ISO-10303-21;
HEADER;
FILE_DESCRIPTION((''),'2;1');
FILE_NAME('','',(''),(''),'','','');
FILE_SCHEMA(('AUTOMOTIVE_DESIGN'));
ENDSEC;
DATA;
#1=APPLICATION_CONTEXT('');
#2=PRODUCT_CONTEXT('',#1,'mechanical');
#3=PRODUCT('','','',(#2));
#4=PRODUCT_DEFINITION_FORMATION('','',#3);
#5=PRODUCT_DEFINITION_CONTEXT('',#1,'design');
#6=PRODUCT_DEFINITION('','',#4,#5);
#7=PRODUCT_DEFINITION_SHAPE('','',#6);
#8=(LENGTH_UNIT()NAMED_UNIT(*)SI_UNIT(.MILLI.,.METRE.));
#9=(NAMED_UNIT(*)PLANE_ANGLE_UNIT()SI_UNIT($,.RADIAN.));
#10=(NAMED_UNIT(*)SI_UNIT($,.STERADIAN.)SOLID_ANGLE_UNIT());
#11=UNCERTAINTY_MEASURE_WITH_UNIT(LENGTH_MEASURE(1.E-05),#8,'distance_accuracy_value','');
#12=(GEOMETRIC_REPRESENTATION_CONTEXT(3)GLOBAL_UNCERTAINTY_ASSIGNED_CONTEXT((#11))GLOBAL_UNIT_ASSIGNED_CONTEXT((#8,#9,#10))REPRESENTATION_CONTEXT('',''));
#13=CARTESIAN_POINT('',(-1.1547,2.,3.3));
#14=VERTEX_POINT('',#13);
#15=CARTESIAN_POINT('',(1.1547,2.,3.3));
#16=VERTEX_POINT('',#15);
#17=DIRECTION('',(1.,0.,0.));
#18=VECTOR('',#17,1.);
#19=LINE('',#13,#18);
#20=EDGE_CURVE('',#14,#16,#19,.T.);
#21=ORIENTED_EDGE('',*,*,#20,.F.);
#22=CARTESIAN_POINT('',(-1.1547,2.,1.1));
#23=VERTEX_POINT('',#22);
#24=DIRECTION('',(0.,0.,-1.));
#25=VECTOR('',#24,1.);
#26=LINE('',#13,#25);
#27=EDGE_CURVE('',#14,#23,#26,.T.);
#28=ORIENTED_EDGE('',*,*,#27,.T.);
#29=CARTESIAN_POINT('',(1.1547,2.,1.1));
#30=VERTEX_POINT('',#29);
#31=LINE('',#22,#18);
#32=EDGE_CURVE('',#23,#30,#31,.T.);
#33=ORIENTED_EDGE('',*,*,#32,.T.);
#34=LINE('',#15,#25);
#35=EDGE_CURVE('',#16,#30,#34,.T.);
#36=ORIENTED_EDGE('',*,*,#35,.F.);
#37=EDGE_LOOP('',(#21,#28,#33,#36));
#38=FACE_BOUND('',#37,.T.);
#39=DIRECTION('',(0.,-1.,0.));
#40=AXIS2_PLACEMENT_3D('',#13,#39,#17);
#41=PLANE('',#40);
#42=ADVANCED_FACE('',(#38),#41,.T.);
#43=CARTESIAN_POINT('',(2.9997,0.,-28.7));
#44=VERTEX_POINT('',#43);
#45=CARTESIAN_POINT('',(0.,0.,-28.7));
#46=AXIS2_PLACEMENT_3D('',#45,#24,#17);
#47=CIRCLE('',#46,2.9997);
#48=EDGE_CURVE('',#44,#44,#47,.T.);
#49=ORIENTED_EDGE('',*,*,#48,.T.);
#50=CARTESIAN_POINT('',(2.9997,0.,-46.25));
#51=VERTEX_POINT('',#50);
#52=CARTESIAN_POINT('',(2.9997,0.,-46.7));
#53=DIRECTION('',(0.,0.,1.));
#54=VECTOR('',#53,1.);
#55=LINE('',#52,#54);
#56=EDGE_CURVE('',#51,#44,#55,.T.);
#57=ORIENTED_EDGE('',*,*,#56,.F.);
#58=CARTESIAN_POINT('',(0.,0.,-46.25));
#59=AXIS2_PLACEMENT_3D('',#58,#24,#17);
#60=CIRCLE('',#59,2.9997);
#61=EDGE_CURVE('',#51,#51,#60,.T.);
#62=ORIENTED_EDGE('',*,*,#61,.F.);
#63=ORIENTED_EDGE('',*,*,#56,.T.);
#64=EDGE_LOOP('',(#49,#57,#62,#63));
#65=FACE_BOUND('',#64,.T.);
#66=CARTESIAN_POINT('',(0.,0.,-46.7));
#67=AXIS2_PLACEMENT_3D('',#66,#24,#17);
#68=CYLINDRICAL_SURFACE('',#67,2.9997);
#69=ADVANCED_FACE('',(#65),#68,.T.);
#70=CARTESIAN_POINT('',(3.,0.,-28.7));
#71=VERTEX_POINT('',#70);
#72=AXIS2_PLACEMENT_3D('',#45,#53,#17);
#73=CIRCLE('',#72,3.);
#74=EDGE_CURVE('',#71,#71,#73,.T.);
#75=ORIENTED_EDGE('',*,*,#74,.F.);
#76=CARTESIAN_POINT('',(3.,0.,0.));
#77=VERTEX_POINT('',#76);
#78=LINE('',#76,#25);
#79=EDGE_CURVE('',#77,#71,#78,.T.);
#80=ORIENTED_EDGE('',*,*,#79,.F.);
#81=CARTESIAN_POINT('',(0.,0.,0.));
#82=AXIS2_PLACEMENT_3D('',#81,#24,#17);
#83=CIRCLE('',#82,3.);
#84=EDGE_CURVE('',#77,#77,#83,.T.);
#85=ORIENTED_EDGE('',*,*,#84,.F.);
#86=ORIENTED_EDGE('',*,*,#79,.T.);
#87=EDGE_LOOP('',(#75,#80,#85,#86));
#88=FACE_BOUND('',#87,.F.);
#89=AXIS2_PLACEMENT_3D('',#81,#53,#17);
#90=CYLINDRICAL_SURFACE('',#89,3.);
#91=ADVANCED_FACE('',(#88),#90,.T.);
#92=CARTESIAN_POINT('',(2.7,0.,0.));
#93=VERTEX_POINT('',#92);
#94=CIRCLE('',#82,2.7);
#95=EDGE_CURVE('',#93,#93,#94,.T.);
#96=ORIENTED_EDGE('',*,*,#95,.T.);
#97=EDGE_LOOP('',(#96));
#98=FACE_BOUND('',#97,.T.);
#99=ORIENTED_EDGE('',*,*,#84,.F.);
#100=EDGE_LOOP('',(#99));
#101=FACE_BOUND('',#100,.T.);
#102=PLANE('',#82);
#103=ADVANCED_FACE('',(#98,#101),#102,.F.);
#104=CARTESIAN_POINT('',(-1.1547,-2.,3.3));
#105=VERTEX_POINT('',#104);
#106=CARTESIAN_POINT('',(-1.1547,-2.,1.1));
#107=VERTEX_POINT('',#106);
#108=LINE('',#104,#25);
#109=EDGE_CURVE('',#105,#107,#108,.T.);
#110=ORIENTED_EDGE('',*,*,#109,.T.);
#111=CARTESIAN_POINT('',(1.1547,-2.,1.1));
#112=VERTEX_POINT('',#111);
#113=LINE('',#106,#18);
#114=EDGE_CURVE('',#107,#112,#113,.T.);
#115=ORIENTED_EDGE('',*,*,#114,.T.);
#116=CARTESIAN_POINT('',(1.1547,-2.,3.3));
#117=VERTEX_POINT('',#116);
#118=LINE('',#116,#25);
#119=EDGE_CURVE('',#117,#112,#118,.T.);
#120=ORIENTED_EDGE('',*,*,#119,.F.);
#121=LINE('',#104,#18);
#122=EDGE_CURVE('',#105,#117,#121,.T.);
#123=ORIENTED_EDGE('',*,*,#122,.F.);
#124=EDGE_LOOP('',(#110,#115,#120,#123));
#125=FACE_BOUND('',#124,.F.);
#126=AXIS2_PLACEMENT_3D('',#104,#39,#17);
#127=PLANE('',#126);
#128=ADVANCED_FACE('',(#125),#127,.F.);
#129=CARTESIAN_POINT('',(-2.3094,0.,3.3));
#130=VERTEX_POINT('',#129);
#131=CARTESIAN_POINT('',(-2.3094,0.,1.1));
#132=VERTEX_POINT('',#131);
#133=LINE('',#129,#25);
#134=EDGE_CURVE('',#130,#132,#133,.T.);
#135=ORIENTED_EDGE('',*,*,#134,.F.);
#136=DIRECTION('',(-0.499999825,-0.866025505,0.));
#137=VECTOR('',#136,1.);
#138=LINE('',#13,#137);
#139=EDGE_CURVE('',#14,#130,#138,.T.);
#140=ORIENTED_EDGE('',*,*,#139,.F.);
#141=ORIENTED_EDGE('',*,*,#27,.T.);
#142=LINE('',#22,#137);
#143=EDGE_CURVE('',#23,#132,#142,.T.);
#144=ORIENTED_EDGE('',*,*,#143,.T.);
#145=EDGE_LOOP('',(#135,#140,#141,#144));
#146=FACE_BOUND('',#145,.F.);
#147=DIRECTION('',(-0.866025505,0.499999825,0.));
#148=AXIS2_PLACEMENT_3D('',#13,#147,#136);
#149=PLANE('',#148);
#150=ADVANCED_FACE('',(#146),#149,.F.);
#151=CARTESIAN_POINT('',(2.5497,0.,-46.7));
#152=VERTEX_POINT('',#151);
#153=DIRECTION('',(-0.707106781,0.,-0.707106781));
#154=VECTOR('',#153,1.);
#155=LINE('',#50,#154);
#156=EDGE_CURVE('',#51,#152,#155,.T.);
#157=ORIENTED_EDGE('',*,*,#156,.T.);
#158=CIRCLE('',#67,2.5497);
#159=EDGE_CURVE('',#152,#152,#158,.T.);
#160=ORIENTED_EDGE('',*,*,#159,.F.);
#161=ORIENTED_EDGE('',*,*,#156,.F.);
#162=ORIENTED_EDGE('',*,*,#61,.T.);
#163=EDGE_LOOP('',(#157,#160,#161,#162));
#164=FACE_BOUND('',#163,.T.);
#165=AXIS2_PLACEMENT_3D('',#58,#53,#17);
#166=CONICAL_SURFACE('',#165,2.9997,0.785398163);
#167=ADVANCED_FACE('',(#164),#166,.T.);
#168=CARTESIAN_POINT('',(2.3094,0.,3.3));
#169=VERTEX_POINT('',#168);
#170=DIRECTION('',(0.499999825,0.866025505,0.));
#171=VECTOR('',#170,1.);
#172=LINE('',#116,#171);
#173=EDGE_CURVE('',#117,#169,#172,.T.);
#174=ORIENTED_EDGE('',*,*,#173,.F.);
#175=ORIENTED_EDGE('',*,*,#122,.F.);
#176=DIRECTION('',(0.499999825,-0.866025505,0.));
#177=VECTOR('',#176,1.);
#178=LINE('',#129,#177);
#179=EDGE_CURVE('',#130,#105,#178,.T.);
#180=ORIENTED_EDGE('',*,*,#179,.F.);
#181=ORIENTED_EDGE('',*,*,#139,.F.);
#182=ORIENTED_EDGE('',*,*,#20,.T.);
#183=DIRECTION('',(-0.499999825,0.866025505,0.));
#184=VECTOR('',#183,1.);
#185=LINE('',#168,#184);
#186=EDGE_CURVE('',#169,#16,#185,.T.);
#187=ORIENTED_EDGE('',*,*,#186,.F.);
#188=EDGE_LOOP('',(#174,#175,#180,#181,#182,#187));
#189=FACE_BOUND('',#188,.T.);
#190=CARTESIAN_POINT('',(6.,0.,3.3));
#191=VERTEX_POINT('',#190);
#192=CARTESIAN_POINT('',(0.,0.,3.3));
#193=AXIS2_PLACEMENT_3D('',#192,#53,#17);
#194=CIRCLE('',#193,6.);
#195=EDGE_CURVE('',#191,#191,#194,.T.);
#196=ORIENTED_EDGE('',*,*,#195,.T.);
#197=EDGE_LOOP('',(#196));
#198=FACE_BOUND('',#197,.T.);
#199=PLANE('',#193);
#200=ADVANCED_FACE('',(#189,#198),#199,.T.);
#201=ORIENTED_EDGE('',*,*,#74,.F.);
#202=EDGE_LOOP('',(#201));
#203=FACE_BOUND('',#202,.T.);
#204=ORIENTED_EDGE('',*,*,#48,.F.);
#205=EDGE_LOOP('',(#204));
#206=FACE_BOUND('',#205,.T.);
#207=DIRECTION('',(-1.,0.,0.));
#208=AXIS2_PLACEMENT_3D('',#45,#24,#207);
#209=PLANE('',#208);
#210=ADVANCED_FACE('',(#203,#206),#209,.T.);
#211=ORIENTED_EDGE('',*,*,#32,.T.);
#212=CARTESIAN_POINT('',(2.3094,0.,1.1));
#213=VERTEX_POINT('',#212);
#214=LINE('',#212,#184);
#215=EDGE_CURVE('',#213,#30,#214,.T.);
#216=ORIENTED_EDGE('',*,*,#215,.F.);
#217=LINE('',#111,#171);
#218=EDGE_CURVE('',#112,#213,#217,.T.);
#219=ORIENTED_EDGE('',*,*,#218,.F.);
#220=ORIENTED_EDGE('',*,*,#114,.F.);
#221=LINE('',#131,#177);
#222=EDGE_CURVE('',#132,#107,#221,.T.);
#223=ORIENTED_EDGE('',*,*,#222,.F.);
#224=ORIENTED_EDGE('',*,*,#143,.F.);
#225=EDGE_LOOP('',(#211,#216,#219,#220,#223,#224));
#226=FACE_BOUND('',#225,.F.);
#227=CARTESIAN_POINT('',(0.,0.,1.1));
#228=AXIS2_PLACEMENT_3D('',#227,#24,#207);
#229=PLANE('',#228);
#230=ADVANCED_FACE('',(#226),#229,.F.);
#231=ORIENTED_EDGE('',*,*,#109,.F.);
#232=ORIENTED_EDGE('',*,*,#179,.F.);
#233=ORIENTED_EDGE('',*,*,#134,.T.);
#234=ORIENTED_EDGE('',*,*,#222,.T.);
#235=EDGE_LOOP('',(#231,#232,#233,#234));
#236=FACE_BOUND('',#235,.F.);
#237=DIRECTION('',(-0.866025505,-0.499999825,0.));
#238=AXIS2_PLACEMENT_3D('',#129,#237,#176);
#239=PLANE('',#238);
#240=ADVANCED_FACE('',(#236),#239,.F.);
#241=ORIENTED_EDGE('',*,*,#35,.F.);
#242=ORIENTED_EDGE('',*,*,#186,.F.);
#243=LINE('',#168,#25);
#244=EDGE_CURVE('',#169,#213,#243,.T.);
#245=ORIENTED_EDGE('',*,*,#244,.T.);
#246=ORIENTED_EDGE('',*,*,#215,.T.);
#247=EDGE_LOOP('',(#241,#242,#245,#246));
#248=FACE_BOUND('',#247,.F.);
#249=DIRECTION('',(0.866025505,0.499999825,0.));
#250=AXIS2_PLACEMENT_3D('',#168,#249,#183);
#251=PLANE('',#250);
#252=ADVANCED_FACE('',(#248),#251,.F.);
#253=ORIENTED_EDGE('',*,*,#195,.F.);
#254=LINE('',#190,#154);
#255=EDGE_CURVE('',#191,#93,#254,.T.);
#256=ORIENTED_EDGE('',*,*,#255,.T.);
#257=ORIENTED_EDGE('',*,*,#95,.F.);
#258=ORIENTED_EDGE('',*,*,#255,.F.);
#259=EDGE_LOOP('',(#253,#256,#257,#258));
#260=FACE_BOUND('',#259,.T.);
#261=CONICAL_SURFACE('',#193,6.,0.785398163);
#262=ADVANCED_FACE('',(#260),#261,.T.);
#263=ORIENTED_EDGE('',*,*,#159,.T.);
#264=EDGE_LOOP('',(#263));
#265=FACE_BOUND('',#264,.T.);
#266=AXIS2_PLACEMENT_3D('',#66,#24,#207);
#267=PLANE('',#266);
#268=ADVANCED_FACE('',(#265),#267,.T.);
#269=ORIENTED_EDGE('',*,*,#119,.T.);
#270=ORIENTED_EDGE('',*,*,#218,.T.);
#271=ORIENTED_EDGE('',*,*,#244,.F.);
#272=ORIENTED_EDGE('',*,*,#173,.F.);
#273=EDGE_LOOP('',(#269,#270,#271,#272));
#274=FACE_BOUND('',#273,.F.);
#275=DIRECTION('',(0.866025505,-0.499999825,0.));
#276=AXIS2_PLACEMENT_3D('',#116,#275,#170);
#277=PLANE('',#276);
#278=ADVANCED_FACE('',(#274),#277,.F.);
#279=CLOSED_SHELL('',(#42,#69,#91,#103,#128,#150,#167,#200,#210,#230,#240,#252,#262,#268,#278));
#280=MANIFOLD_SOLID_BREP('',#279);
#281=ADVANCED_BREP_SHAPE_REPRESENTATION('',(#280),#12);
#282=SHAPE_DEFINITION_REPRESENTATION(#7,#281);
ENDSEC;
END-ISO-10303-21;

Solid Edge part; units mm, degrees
sketch "Sketch1" plane through (0, 0, 0) normal (0, 0, 1) x (1, 0, 0)
  circle A0 centre (0, 0) radius 6
  dimension "D1" = 12
extrude "Protrusion1" add sketch "Sketch1" along normal blind 3.3
sketch "Sketch2" plane through (0, 0, 0) normal (0, 0, -1) x (1, 0, 0)
  circle A0 centre (0, 0) radius 3
extrude "Protrusion2" add sketch "Sketch2" along normal blind 46.7
sketch "Sketch3" plane through (0, 0, -46.7) normal (0, 0, -1) x (1, 0, 0)
  circle A0 centre (0, 0) radius 2.9997
extrude "Cutout1" cut sketch "Sketch3" against normal blind 18 flip side to cut
chamfer "Chamfer_1" distance 0.45 angle 45 1 edges at (-2.9997, 0, -46.7)
sketch "Sketch4" plane through (0, 0, 3.3) normal (0, 0, 1) x (1, 0, 0)
  line L0 (-1.1547, 2) -> (1.1547, 2)
  line L1 (2.3094, 0) -> (1.1547, 2)
  line L2 (1.1547, -2) -> (2.3094, 0)
  line L3 (-1.1547, -2) -> (1.1547, -2)
  line L4 (-2.3094, 0) -> (-1.1547, -2)
  line L5 (-1.1547, 2) -> (-2.3094, 0)
  dimension "D1" = 4
extrude "Cutout2" cut sketch "Sketch4" against normal blind 2.2
sketch "Sketch5" plane through (0, 0, 0) normal (0, -1, 0) x (1, 0, 0)
  line L0 (6, 3.3) -> (2.7, 0)
  line L1 (2.7, 0) -> (6, 0)
  line L2 (6, 0) -> (6, 3.3)
revolve "RevolvedCutout1" cut sketch "Sketch5" angle 360 about axis through (0, 0, 14.0017) along (0, 0, -1)
properties part number "24101473"
